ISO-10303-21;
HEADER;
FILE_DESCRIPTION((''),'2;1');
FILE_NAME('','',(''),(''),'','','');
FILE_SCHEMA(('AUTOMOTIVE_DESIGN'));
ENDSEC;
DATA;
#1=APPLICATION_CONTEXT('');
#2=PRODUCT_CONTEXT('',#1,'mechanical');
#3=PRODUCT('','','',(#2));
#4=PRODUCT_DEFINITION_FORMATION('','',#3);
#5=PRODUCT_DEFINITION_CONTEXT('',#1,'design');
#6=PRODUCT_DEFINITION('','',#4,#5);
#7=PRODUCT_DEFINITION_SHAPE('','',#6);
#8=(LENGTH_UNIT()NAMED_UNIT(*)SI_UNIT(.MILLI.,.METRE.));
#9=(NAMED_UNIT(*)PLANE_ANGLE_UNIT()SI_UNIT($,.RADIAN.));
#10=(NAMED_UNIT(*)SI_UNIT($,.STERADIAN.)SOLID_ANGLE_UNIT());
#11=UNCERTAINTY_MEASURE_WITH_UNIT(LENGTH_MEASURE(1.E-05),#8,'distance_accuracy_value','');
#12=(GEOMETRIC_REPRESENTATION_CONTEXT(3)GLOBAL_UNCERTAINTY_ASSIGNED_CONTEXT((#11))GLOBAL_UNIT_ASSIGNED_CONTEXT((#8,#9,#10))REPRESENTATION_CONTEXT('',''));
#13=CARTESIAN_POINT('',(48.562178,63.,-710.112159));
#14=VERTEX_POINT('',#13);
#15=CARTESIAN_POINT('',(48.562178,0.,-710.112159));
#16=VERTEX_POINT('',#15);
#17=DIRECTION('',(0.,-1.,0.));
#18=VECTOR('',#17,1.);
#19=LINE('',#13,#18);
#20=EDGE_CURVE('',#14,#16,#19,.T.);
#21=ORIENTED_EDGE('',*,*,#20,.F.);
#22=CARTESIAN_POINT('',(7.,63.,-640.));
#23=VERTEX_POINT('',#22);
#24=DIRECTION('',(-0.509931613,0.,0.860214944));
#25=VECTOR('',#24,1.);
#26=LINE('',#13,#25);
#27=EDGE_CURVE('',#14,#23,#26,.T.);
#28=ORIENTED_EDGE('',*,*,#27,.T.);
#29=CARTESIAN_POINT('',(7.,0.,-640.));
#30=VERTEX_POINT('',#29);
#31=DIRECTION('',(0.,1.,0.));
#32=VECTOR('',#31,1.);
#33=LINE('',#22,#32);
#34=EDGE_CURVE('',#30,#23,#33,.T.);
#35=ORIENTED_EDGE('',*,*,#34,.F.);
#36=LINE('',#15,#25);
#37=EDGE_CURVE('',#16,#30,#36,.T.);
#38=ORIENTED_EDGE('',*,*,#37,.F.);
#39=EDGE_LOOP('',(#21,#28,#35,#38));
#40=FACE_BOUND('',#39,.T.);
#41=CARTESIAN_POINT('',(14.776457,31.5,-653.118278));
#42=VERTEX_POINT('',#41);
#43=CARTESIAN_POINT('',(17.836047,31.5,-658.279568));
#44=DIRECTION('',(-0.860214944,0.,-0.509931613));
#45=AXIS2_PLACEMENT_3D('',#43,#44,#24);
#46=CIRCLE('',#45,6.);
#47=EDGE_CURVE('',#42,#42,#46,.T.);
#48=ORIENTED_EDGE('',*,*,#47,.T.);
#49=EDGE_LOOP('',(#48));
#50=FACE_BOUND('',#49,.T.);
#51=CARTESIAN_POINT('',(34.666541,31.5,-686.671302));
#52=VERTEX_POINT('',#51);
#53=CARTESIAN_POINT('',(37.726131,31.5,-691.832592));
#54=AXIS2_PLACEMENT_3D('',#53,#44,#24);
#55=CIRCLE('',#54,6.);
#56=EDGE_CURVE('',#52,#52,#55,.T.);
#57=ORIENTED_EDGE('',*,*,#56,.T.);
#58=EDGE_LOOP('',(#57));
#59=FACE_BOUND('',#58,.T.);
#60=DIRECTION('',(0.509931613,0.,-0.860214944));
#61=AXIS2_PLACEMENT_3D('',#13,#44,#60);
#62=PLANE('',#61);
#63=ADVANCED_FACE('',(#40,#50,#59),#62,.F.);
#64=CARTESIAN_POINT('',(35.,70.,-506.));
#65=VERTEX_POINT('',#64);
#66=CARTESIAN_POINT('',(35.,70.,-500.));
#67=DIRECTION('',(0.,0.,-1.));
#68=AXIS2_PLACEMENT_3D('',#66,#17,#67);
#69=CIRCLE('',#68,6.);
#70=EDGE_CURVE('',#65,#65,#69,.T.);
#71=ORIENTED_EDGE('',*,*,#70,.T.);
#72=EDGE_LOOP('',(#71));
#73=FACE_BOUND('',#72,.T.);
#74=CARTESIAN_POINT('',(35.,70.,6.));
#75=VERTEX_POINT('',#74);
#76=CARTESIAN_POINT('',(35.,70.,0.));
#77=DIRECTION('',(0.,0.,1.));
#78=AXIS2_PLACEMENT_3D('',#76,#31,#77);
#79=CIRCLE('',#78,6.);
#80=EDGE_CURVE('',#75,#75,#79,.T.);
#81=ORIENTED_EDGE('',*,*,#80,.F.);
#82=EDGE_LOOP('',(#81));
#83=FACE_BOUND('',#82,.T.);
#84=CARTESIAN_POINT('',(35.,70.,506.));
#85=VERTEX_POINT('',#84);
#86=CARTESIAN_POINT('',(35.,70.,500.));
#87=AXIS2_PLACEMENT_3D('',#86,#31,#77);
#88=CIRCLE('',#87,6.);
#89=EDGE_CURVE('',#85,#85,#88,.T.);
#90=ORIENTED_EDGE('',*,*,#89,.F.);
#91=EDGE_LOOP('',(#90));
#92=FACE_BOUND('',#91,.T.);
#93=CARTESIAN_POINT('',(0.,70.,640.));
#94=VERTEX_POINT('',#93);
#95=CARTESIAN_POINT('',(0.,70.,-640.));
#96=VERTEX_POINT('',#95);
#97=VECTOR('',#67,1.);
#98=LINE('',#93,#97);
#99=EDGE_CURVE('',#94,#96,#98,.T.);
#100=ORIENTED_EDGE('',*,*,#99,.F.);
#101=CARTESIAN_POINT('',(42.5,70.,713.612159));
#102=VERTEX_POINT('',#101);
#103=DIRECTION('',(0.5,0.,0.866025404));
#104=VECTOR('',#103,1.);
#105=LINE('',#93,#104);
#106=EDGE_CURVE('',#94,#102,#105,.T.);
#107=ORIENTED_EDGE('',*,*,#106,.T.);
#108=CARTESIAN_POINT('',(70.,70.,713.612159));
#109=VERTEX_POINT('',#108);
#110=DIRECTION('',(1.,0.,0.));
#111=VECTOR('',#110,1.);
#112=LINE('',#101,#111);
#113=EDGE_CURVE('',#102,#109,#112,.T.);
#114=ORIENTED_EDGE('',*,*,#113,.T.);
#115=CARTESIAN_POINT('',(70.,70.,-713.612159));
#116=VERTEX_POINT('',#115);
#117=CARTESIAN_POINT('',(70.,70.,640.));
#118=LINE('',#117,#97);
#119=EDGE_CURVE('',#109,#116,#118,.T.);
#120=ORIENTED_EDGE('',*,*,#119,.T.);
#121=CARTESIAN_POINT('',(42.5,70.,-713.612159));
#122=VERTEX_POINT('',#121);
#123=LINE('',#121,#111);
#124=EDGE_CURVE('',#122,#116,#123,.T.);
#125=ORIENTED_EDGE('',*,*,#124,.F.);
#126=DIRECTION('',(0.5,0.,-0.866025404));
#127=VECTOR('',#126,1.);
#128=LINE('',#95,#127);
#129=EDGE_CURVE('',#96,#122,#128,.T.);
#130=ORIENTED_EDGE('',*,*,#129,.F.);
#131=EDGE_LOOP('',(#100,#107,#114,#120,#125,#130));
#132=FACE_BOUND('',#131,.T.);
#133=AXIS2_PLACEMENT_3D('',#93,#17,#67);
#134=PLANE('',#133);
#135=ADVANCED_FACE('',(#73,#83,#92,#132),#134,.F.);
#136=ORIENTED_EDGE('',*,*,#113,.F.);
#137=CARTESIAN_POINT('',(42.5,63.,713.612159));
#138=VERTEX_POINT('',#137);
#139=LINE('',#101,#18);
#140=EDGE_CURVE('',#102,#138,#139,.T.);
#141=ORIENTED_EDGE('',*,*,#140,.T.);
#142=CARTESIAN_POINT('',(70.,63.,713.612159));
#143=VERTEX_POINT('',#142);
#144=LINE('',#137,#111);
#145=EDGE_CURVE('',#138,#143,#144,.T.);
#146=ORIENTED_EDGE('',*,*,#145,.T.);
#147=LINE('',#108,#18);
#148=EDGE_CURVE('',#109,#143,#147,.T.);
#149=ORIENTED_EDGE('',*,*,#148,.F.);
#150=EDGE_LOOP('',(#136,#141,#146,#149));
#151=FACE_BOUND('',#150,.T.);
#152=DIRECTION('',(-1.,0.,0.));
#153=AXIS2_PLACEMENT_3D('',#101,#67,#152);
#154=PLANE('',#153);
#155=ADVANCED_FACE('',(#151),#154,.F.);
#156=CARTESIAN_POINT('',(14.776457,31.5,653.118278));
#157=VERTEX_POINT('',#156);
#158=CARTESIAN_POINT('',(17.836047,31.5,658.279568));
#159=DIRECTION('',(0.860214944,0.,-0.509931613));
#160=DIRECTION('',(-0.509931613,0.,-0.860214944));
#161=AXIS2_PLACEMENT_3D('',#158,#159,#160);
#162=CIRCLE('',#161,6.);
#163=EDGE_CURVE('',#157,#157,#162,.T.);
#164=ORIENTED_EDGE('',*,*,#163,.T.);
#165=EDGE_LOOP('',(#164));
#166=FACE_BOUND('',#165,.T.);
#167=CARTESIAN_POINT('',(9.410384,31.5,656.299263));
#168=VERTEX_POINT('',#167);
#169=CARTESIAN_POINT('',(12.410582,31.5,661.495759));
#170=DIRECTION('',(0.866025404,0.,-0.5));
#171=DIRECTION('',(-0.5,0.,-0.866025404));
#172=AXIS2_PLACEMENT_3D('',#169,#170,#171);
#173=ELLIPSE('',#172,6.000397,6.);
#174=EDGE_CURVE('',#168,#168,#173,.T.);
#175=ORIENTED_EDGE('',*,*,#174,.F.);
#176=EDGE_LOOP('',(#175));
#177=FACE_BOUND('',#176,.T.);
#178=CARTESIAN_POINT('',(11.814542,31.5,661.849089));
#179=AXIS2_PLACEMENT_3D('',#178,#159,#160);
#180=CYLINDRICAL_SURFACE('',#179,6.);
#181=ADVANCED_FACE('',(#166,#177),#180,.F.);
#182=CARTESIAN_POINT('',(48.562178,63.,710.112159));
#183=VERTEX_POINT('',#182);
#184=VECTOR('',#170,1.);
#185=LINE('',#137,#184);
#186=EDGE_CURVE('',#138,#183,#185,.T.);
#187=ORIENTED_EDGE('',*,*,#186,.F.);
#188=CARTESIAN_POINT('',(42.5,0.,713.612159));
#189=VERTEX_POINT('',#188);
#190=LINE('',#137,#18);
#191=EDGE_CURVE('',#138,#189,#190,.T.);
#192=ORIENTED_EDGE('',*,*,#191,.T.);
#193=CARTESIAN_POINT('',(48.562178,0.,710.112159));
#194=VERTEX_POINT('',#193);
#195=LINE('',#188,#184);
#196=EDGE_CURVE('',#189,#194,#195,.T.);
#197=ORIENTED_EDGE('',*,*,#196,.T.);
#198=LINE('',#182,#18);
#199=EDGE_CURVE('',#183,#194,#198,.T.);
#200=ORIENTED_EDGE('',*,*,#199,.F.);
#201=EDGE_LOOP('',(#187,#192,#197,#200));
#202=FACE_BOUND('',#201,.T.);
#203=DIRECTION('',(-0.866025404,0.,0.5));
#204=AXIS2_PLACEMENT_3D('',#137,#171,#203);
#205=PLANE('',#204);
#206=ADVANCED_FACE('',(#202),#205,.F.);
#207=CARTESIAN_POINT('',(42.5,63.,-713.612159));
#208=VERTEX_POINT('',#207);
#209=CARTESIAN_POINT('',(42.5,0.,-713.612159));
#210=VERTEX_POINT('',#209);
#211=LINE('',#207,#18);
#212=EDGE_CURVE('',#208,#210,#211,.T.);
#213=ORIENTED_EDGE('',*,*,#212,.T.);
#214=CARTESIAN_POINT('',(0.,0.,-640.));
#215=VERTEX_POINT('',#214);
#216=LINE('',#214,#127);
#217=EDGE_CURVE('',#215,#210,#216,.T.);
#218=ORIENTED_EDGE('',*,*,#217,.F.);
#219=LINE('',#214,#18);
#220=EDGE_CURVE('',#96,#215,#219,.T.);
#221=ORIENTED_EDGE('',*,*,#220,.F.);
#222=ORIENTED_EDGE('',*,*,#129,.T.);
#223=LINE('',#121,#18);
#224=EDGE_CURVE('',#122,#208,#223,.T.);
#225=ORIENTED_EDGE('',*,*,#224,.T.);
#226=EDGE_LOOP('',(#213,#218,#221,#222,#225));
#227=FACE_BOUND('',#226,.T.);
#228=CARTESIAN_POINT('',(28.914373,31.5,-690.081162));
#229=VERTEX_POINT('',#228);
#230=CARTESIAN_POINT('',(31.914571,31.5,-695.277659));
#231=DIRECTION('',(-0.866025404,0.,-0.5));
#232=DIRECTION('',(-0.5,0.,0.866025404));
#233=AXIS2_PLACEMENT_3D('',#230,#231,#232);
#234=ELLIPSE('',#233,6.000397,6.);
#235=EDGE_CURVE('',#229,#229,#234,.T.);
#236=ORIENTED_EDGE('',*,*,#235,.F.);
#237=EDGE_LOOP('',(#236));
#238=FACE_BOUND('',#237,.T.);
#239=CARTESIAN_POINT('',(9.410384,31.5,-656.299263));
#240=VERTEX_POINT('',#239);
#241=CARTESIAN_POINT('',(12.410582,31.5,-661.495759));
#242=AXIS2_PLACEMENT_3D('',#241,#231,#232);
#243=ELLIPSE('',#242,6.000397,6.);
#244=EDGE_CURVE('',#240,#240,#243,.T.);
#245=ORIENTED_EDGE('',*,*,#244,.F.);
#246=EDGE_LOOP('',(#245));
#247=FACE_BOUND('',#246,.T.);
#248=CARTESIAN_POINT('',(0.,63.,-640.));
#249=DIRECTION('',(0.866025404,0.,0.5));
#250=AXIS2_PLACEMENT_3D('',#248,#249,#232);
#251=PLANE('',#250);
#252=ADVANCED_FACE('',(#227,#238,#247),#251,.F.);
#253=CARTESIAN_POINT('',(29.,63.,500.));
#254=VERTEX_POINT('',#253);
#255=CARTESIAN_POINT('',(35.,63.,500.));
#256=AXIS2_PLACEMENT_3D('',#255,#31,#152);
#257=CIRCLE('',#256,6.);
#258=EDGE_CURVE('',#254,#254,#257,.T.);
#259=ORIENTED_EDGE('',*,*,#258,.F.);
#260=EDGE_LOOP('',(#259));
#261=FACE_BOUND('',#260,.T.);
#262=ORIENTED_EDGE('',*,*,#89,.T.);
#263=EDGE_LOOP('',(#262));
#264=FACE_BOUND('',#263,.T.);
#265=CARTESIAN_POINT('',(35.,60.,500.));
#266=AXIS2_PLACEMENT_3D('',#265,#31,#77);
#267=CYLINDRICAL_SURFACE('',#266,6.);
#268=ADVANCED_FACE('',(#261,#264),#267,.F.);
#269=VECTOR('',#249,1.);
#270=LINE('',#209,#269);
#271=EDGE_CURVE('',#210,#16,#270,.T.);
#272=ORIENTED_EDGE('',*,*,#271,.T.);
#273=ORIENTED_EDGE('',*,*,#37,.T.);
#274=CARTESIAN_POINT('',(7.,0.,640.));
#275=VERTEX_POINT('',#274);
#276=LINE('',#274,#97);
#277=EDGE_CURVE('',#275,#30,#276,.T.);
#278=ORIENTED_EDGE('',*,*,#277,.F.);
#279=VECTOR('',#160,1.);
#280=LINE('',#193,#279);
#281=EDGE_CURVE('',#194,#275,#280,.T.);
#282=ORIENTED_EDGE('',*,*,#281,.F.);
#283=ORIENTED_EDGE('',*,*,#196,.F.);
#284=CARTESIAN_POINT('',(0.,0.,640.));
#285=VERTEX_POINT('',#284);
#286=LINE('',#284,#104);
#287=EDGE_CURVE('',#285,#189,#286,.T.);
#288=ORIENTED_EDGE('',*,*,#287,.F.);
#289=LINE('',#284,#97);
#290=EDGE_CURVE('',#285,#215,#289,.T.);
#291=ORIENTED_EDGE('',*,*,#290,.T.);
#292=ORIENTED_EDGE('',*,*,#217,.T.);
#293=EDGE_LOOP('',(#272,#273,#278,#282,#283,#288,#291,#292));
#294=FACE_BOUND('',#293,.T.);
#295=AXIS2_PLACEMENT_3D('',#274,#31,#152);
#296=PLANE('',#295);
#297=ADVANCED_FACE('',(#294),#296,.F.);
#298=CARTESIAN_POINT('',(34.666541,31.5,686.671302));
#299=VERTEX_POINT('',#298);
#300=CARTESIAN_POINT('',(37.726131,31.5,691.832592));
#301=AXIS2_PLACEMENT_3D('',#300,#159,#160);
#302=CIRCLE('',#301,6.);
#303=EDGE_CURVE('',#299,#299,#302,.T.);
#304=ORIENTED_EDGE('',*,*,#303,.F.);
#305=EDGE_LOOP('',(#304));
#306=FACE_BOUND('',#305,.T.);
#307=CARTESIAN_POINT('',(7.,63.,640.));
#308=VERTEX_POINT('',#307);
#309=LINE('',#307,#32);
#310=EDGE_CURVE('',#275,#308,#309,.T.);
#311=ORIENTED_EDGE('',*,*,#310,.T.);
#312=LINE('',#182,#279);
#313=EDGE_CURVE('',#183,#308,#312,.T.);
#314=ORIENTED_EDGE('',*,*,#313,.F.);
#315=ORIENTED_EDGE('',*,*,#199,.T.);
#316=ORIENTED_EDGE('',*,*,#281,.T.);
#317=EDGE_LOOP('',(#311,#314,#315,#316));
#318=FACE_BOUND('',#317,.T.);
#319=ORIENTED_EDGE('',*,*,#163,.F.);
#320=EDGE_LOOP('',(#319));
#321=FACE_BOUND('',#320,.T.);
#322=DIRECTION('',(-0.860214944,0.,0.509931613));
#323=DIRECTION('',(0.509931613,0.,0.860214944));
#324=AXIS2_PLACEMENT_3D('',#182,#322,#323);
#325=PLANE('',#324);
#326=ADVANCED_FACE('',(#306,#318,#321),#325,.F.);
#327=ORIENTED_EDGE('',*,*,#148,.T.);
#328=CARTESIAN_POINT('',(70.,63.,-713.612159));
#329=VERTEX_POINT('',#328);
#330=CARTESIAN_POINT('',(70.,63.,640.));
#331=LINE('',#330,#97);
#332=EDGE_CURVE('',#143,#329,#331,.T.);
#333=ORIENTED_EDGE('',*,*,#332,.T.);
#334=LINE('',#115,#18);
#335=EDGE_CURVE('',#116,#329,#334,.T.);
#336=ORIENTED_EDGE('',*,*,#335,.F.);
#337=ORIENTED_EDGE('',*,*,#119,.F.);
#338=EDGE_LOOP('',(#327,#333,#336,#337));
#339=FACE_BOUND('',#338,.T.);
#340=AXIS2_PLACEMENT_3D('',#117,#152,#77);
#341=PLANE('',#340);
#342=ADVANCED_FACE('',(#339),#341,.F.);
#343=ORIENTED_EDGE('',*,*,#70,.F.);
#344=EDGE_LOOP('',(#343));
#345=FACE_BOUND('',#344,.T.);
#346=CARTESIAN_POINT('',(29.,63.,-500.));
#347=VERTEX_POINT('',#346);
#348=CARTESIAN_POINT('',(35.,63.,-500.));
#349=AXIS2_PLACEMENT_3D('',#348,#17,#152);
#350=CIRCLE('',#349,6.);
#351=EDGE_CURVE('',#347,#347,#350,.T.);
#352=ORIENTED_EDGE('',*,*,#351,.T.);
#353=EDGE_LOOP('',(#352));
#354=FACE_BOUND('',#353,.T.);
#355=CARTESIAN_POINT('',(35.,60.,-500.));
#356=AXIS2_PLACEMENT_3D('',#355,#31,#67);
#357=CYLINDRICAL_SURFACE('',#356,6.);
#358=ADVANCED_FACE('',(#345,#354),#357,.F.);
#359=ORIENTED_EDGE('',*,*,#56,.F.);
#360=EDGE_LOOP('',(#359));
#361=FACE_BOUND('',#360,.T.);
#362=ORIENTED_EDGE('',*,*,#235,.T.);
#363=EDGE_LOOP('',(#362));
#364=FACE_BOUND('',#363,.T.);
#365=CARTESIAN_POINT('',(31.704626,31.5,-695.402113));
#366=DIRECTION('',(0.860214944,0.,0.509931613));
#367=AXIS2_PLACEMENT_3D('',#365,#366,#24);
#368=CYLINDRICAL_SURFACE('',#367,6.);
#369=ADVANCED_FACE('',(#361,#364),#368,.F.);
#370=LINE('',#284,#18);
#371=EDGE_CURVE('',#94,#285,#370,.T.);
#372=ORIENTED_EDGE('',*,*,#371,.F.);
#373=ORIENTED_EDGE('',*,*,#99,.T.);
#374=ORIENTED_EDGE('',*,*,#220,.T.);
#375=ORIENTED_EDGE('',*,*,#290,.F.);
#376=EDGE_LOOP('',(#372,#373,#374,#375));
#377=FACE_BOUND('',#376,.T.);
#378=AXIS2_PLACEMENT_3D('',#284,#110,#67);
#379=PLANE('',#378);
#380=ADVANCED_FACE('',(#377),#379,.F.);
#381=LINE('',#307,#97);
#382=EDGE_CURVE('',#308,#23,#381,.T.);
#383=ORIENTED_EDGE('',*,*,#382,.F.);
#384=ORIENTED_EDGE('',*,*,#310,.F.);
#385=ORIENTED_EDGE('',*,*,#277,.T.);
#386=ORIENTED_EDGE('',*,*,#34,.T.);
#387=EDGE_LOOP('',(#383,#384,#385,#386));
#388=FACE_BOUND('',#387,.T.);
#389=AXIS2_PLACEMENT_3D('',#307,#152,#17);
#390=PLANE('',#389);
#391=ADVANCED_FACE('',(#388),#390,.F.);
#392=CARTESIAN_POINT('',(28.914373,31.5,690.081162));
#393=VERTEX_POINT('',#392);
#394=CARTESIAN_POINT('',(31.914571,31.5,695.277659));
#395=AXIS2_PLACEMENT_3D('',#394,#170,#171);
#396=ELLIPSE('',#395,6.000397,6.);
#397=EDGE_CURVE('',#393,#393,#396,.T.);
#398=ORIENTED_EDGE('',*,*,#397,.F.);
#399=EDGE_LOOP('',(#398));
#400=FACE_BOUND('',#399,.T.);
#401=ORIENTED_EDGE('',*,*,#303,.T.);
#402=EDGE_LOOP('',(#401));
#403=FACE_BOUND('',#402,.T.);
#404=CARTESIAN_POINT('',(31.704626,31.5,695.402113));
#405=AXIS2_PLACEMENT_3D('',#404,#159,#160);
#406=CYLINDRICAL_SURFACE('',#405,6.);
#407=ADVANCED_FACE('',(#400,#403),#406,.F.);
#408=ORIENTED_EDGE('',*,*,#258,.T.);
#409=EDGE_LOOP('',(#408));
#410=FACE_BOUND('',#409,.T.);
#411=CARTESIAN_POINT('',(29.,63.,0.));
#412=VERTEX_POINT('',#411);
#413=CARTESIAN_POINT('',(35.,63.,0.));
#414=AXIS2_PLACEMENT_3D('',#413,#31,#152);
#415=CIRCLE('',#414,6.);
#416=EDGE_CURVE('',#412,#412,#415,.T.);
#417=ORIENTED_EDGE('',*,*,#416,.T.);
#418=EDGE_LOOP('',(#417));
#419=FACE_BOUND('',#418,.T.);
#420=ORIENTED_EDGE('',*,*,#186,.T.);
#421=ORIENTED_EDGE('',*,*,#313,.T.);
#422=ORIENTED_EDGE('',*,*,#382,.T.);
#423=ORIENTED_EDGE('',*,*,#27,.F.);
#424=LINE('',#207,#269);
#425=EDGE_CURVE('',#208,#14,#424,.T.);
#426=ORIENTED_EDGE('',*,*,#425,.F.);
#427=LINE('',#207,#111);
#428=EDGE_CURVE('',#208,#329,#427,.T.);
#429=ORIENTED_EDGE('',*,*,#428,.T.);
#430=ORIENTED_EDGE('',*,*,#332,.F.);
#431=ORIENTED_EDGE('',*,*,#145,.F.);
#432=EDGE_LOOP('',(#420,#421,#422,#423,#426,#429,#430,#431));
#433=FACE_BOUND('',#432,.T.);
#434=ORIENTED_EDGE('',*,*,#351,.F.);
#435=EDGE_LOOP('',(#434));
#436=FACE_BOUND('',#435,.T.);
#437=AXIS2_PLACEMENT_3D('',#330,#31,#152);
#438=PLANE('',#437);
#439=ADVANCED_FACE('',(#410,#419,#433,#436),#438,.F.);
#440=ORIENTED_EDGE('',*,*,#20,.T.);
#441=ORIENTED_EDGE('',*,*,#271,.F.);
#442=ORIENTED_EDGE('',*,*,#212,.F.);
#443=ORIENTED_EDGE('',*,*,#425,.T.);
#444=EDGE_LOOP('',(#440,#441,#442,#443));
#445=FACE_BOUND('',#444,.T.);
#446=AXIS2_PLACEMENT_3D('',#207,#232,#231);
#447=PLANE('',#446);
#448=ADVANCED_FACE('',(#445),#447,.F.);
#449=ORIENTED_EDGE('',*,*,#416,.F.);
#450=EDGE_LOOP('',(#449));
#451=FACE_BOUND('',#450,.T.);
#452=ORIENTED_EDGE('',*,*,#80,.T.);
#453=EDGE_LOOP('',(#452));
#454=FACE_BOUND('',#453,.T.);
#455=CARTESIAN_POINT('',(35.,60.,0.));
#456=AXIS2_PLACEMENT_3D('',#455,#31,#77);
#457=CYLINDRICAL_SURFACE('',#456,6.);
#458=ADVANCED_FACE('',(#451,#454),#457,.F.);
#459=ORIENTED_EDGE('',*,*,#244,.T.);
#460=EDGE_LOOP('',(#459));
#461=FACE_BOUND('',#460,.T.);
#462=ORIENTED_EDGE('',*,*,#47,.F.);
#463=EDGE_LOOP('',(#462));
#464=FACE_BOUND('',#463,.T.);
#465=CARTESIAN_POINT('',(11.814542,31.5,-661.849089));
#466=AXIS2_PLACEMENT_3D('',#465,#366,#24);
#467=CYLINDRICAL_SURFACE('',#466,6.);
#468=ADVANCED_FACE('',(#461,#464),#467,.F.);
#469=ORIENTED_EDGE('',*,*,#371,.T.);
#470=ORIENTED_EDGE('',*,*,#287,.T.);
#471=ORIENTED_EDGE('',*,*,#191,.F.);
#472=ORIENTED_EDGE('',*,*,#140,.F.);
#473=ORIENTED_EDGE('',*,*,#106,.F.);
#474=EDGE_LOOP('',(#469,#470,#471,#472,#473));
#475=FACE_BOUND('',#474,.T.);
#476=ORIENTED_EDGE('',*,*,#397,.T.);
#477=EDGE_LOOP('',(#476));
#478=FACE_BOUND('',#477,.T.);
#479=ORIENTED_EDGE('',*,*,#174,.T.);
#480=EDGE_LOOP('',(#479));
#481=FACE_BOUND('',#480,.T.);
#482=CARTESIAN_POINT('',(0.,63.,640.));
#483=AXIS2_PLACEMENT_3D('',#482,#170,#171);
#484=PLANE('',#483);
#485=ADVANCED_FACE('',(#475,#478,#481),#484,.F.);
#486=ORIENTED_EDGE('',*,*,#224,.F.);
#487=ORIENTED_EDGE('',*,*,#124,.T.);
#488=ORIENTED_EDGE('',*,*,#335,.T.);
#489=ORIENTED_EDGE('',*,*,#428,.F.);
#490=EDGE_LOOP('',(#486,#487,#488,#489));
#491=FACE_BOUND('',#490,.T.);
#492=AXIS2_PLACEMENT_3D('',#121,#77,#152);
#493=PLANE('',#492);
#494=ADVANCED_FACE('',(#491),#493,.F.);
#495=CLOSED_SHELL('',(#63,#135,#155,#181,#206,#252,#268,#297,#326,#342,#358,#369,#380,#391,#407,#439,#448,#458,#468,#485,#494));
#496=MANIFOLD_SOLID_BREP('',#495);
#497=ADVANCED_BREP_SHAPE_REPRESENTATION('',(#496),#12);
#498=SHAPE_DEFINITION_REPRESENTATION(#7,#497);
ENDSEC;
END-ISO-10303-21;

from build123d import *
from build123d.topology import SkipClean

# Parameters (mm, degrees)
BOSS_EXTRUDE1_DEPTH = 640
SKETCH22_R          = 6
CUT_EXTRUDE4_DEPTH  = 10
BOSS_EXTRUDE2_DEPTH = 63
BOSS_EXTRUDE3_DEPTH = 7
SKETCH26_R          = 6
CUT_EXTRUDE5_DEPTH  = 7


with BuildPart() as part:
    # Sketch1 → Boss-Extrude1 (new body)
    with BuildSketch(Plane.XY):
        Polygon((0, 0), (0, 70), (70, 70), (70, 63), (7, 63), (7, 0), align=None)
    extrude(amount=BOSS_EXTRUDE1_DEPTH)

    # Sketch22 → Cut-Extrude4 (cut)
    with BuildSketch(Plane(origin=(0, 70, 0), x_dir=(1, 0, 0), z_dir=(0, 1, 0))):
        with Locations((35, 0)):
            Circle(SKETCH22_R)
        with Locations((35, 500)):
            Circle(SKETCH22_R)
        with Locations(Location((35, -500, 0), (0, 0, 270))):
            Circle(SKETCH22_R)
    extrude(amount=-CUT_EXTRUDE4_DEPTH, mode=Mode.SUBTRACT)

    # Sketch23 → Boss-Extrude2 (add)
    with BuildSketch(Plane(origin=(0, 0, 0), x_dir=(1, 0, 0), z_dir=(0, 1, 0))):
        Polygon((0, -640), (42.5, -713.612159322), (48.562177826, -710.112159322), (7, -640), align=None)
    extrude(amount=BOSS_EXTRUDE2_DEPTH)

    # Sketch25 → Boss-Extrude3 (add)
    with BuildSketch(Plane(origin=(0, 63, 0), x_dir=(1, 0, 0), z_dir=(0, 1, 0))):
        Polygon((70, -640), (0, -640), (42.5, -713.612159322), (70, -713.612159322), align=None)
    extrude(amount=BOSS_EXTRUDE3_DEPTH)

    # Sketch26 → Cut-Extrude5 (cut)
    with BuildSketch(Plane(origin=(-275.556719825, 0, 163.348804279), x_dir=(-0.5099316128113042, 0, -0.8602149442178172), z_dir=(0.8602149442178172, 0, -0.5099316128113042))):
        with Locations((-614.36248118, 31.5)):
            Circle(SKETCH26_R)
        with Locations((-575.357085589, 31.5)):
            Circle(SKETCH26_R)
    extrude(amount=-CUT_EXTRUDE5_DEPTH, mode=Mode.SUBTRACT)

    # Mirror1: part across plane


with BuildPart() as part_1:
    with SkipClean():  # the faces are left unmerged after this step: merging them gives an invalid solid
        add(part.part)
        add(part.part.mirror(Plane.XY))


solid = part_1.part
